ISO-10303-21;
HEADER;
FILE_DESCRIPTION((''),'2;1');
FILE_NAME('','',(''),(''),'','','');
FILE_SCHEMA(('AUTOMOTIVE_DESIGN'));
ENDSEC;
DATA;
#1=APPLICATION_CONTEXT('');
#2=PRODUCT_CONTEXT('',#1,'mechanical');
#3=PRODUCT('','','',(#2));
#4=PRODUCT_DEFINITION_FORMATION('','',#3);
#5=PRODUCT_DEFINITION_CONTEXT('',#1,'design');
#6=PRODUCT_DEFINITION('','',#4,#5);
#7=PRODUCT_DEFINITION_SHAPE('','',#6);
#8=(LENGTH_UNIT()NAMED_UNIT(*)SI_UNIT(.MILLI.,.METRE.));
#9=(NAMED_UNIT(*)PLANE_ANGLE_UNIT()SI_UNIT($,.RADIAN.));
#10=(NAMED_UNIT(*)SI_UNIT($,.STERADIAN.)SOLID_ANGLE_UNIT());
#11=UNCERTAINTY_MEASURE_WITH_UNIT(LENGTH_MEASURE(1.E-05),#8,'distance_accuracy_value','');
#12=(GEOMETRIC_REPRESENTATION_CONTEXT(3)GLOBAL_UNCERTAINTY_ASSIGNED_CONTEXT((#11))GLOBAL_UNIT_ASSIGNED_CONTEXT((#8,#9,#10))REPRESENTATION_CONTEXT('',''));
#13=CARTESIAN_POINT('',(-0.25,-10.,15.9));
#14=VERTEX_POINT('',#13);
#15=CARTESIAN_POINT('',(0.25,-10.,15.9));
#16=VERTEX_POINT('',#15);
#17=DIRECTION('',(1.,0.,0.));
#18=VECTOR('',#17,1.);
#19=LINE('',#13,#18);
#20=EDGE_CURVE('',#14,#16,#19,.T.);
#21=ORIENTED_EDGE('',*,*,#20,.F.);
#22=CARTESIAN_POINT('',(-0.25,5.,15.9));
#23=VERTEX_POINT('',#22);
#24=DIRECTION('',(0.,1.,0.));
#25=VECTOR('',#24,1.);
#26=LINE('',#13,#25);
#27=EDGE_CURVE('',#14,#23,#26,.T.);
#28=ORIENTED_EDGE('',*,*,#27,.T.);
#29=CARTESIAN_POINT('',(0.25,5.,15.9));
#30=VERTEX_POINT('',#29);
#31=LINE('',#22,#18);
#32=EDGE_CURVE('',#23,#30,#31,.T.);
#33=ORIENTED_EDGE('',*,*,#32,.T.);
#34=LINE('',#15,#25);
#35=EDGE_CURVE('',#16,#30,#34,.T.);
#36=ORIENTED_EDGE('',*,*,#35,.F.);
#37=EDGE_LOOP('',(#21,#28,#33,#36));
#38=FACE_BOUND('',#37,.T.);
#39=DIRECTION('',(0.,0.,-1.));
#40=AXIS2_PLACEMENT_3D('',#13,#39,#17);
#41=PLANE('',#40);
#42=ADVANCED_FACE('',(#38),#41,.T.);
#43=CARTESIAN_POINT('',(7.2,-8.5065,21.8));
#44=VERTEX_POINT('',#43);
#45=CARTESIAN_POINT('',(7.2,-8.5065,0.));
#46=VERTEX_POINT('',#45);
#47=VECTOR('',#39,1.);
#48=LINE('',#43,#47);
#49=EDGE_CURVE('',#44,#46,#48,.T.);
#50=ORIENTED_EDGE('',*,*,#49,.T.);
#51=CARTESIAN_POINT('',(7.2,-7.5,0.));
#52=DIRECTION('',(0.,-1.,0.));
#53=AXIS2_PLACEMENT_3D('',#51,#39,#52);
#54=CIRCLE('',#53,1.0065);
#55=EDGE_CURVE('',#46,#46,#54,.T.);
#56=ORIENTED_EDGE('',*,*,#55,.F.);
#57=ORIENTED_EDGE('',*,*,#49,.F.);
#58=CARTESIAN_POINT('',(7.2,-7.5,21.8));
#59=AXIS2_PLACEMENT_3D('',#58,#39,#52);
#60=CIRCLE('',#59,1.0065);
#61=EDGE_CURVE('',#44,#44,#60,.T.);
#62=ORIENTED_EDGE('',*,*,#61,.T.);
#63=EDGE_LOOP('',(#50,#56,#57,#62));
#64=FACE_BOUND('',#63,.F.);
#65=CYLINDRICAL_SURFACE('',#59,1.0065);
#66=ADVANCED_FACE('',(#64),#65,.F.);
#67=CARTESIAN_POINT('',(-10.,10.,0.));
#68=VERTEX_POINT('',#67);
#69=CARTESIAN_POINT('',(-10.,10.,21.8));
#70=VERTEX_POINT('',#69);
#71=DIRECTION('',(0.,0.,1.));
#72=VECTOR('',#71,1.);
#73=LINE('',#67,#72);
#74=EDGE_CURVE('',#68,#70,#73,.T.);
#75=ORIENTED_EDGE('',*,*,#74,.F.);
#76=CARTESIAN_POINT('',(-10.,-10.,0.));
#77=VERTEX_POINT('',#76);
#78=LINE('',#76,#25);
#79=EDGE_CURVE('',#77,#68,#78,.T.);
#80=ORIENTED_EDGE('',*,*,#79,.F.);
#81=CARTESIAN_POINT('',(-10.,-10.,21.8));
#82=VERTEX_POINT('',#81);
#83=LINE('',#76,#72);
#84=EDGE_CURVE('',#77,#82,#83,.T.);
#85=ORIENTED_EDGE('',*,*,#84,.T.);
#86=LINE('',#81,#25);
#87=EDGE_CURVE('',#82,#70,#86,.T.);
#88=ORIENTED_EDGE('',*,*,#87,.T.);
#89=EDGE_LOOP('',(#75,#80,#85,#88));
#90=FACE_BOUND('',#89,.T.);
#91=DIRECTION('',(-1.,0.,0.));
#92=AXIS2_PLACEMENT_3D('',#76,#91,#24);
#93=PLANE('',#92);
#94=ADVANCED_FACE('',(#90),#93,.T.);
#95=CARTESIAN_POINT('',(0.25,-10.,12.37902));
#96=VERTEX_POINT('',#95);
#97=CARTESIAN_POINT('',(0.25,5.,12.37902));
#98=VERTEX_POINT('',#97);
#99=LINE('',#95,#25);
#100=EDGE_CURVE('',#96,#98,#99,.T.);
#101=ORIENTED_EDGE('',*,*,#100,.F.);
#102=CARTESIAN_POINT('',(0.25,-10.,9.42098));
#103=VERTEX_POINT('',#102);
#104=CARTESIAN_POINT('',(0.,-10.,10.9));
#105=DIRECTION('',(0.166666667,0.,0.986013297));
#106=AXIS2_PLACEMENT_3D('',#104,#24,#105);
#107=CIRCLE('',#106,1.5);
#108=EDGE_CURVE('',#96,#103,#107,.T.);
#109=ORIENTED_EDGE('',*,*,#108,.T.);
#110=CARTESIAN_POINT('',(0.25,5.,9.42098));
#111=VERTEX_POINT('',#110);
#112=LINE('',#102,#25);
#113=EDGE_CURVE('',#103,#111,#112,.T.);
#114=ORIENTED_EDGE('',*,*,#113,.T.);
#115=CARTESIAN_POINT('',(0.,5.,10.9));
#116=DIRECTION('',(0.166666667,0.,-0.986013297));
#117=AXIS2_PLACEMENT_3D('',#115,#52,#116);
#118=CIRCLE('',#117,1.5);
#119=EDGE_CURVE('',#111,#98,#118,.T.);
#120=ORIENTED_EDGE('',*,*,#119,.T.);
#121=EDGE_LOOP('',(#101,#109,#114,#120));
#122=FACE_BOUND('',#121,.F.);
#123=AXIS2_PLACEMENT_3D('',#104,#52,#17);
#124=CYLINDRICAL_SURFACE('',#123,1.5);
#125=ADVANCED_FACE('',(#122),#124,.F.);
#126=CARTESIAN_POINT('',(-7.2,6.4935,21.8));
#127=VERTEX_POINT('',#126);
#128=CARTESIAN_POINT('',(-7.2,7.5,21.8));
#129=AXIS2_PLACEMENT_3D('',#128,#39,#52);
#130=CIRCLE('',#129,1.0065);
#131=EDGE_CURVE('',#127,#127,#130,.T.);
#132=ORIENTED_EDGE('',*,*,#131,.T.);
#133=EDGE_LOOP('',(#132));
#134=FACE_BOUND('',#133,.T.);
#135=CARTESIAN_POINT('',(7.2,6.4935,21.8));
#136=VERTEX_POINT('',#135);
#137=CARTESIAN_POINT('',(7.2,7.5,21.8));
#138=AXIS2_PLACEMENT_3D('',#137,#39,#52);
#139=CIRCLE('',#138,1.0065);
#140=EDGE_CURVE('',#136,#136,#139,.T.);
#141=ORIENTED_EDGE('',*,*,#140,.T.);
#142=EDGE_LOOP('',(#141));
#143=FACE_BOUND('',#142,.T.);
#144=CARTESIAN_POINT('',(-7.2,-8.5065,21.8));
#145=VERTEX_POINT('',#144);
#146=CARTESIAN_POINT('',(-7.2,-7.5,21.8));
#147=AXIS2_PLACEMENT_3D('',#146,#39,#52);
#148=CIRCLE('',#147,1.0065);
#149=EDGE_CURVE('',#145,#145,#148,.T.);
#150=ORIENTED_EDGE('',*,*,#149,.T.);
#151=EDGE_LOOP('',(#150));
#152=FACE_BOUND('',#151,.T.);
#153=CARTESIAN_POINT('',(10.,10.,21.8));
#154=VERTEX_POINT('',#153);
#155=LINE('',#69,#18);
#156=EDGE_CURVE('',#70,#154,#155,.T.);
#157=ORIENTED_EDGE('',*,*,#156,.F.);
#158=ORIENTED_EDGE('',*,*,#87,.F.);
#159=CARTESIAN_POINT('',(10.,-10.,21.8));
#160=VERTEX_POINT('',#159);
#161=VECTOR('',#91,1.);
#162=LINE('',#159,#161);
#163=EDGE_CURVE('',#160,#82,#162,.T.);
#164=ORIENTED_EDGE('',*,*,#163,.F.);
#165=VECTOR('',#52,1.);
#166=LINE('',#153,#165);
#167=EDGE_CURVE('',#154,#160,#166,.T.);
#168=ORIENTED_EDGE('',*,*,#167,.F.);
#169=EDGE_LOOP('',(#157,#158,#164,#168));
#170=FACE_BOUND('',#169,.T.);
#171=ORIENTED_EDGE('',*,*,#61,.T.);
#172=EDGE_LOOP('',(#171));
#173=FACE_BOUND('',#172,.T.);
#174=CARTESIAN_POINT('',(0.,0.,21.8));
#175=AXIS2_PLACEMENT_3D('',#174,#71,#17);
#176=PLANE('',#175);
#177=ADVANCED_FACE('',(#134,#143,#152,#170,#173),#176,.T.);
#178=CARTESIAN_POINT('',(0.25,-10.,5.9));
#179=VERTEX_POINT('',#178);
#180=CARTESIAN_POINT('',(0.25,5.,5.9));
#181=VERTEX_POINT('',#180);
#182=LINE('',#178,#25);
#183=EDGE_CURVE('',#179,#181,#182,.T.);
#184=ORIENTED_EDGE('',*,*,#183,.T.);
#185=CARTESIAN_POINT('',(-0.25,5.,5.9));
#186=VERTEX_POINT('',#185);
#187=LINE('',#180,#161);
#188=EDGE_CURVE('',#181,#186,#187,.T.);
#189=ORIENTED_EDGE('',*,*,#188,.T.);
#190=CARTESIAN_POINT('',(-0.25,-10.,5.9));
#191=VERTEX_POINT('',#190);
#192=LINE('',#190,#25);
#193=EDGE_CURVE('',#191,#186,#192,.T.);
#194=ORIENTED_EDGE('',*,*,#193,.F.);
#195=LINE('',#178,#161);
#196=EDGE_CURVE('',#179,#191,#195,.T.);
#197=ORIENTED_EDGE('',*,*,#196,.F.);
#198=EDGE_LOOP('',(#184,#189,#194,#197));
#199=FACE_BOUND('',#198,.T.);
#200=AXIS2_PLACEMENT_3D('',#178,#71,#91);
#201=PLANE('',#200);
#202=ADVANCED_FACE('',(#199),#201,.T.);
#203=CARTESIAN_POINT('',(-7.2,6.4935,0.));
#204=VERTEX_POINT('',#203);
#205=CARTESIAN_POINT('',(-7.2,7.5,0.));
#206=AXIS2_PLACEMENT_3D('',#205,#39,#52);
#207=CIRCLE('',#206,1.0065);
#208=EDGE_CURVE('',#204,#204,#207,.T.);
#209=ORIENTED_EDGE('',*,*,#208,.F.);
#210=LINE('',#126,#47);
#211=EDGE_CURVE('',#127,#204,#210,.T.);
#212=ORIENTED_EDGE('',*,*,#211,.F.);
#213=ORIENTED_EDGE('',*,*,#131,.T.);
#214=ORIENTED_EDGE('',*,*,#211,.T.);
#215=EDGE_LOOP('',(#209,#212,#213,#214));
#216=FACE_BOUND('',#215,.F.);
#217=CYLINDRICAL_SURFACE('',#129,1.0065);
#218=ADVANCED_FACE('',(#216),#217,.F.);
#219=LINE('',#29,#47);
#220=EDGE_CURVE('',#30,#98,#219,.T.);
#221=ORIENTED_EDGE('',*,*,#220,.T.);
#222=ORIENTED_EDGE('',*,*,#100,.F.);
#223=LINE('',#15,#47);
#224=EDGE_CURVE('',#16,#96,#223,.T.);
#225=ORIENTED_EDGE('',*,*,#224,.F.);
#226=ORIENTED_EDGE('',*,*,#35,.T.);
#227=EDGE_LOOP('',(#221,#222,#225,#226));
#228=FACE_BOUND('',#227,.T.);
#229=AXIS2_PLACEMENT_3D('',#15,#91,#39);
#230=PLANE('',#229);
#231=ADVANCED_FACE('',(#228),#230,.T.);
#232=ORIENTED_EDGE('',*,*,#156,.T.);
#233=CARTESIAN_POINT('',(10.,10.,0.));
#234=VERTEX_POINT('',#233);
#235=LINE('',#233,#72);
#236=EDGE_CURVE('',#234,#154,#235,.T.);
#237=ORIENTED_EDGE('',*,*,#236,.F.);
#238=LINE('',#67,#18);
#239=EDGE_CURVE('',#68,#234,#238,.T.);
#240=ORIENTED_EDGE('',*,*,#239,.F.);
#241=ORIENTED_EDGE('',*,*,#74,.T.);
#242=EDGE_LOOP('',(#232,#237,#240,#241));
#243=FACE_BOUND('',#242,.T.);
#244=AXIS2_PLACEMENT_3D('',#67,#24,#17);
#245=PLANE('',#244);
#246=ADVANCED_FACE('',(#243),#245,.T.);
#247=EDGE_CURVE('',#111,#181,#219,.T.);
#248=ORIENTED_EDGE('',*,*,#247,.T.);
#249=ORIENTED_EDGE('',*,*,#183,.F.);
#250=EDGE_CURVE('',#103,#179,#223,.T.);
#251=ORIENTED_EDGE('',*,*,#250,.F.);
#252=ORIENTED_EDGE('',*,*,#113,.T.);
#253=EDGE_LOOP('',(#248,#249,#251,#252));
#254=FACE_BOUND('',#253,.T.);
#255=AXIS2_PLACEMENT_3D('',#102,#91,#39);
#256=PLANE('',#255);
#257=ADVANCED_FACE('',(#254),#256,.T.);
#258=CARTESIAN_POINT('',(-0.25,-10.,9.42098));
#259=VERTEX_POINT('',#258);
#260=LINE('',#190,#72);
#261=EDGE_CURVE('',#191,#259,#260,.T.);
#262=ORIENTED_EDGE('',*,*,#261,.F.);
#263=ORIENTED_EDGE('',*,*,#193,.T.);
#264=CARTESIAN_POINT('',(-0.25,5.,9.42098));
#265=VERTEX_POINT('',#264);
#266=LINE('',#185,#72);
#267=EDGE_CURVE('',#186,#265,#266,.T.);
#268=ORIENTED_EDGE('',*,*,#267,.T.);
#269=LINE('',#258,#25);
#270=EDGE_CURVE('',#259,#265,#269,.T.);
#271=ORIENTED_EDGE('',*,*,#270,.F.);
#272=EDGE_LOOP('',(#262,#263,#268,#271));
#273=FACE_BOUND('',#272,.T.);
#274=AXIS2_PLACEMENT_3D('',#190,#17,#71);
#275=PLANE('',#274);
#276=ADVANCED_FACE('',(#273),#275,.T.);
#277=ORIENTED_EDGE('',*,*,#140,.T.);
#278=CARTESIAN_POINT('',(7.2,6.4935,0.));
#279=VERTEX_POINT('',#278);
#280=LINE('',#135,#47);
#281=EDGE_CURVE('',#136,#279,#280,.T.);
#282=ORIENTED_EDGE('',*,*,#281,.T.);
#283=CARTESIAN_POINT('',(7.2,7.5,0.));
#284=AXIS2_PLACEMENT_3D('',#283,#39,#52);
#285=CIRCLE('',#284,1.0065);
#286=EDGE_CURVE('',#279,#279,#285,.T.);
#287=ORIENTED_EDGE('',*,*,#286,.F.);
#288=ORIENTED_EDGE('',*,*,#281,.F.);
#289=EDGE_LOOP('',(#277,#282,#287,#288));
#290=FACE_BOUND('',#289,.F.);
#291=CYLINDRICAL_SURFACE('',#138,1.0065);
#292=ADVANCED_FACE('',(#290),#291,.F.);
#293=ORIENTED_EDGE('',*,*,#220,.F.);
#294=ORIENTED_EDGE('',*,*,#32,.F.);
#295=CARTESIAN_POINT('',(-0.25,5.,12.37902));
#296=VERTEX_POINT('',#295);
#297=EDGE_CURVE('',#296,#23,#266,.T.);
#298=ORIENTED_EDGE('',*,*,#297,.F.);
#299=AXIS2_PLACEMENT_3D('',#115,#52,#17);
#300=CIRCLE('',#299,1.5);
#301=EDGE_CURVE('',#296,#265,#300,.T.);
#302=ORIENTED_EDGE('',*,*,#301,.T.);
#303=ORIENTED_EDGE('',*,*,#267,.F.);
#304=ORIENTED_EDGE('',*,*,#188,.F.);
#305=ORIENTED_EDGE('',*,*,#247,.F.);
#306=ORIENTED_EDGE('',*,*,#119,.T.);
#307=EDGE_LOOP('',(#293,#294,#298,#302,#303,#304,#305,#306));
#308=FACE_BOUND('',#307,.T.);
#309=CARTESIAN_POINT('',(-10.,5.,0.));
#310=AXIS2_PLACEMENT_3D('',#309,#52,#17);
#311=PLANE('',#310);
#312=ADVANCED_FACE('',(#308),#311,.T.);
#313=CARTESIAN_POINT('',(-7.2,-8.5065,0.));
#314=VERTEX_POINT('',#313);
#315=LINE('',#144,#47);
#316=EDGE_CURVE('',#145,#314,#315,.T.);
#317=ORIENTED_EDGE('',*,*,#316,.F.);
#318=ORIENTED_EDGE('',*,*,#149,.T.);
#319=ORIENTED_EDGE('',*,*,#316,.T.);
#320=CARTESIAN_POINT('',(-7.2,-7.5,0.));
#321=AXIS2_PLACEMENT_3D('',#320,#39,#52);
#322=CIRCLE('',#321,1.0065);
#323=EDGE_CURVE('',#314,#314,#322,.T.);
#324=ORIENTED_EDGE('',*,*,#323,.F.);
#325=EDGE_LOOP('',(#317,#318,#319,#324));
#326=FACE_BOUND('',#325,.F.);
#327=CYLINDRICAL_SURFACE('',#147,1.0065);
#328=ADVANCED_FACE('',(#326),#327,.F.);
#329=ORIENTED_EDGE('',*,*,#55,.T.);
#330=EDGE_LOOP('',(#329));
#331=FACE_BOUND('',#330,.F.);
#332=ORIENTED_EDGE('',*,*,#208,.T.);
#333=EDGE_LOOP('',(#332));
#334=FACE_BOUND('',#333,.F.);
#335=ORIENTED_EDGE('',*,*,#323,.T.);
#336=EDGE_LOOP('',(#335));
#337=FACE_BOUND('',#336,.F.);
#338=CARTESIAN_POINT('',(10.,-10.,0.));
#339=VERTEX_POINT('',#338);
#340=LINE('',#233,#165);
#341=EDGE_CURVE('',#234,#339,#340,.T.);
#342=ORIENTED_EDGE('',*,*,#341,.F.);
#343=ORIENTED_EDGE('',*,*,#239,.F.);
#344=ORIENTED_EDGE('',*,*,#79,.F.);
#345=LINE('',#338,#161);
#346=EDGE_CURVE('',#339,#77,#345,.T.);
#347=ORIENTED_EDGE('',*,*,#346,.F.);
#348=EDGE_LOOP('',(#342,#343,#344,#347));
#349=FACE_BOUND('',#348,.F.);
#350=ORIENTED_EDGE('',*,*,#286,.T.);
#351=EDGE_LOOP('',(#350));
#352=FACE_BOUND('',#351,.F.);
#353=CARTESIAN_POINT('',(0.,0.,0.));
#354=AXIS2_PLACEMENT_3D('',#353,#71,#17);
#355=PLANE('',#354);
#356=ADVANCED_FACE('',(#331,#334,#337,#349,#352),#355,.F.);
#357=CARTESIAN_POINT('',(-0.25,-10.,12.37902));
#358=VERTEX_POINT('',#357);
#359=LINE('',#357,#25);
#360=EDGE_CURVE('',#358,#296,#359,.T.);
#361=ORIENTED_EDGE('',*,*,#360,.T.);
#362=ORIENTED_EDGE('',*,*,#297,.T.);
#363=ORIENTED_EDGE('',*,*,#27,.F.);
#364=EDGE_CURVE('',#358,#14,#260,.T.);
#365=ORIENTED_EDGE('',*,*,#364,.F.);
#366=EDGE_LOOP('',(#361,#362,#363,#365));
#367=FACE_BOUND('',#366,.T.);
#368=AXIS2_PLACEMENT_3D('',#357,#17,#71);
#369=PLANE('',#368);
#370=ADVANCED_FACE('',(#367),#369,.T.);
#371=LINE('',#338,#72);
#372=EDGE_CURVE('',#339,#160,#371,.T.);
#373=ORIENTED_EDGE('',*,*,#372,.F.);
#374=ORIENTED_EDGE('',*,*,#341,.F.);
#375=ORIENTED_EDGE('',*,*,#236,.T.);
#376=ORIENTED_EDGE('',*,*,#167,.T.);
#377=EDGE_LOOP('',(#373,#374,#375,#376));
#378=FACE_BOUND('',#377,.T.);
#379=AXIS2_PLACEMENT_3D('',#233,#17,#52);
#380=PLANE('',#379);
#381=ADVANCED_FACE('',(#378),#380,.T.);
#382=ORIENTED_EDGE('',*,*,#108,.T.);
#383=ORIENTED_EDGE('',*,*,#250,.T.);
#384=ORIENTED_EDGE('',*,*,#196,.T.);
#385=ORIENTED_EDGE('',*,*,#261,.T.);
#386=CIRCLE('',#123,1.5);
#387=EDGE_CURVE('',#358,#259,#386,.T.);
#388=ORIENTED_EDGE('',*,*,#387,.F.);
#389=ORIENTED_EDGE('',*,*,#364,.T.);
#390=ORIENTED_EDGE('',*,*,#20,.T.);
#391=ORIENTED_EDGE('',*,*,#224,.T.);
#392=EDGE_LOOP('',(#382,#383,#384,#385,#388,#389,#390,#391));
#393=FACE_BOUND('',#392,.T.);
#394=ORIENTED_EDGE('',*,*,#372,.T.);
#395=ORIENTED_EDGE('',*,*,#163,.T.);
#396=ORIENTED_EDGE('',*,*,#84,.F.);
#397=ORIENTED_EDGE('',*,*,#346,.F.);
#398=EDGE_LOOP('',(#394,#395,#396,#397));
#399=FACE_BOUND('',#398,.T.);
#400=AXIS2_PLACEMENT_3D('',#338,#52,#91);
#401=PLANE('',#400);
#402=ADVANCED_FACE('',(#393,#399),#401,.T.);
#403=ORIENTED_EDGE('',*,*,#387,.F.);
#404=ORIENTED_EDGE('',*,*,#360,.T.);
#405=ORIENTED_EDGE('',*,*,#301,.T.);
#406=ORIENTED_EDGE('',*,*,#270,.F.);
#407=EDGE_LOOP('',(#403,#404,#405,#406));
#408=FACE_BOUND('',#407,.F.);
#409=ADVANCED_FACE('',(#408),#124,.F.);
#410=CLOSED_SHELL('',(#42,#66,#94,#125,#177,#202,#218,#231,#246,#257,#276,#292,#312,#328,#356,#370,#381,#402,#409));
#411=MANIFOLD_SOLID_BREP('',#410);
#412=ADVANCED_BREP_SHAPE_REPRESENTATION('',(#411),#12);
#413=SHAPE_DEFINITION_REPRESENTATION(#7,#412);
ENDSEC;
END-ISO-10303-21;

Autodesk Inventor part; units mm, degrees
ref_plane "YZ Plane" through (0, 0, 0) normal (1, 0, 0) x (0, 1, 0)
ref_plane "XZ Plane" through (0, 0, 0) normal (0, 1, 0) x (-1, 0, 0)
ref_plane "XY Plane" through (0, 0, 0) normal (0, 0, 1) x (1, 0, 0)
sketch "スケッチ1" plane through (0, 0, 0) normal (0, 0, 1) x (1, 0, 0)
  line L0 (-10, 10) -> (10, 10)
  line L1 (10, 10) -> (10, -10)
  line L2 (10, -10) -> (-10, -10)
  line L3 (-10, -10) -> (-10, 10)
  point P0 (0, 0)
  dimension "d0" = 20
  dimension "d1" = 10
  dimension "d2" = 20
  dimension "d3" = 10
extrude "押し出し1" add sketch "スケッチ1" along normal blind 21.8
sketch "スケッチ2" plane through (0, 0, 21.8) normal (0, 0, 1) x (1, 0, 0)
  point P0 (0, 0)
  point P1 (-7.2, 7.5)
  point P2 (-7.2, -7.5)
  point P3 (7.2, -7.5)
  point P4 (7.2, 7.5)
  dimension "d6" = 14.4
  dimension "d7" = 14.4
  dimension "d8" = 15
  dimension "d9" = 15
  dimension "d10" = 7.2
  dimension "d11" = 7.2
  dimension "d12" = 7.5
  dimension "d13" = 7.5
hole "Hole1" at (-7.2, 7.5, 21.8) at (-7.2, -7.5, 21.8) at (7.2, -7.5, 21.8) at (7.2, 7.5, 21.8) direction (0, 0, -1) diameter 2.013 end through all thread size "M2.5x0.45" class "6H" standard "ISO Metric profile"
sketch "スケッチ3" plane through (-10, -10, 0) normal (0, -1, 0) x (1, 0, 0)
  line L0 (20, 21.8) -> (0, 21.8) projected
  line L1 (20, 0) -> (20, 21.8) projected
  circle A0 centre (10, 10.9) radius 1.5
  line L2 (9.75, 15.9) -> (10.25, 15.9)
  line L3 (10.25, 15.9) -> (10.25, 5.9)
  line L4 (10.25, 5.9) -> (9.75, 5.9)
  line L5 (9.75, 5.9) -> (9.75, 15.9)
  point P0 (10, 0)
  dimension "d21" = 3
  dimension "d22" = 10.9
  dimension "d23" = 10
  dimension "d24" = 10
  dimension "d25" = 0.5
  dimension "d26" = 0.25
  dimension "d27" = 5
extrude "押し出し2" cut sketch "スケッチ3" against normal blind 15
equation "\"d1\" = 0.5 * d0"
equation "\"d3\" = 0.5 * d2"
equation "\"d7\" = d6"
equation "\"d9\" = d8"
equation "\"d10\" = 0.5 * d6"
equation "\"d11\" = d10"
equation "\"d12\" = 0.5 * d8"
equation "\"d13\" = d12"
equation "\"d26\" = 0.5 * d25"
equation "\"d27\" = 0.5 * d24"
properties part number "JointD1"
